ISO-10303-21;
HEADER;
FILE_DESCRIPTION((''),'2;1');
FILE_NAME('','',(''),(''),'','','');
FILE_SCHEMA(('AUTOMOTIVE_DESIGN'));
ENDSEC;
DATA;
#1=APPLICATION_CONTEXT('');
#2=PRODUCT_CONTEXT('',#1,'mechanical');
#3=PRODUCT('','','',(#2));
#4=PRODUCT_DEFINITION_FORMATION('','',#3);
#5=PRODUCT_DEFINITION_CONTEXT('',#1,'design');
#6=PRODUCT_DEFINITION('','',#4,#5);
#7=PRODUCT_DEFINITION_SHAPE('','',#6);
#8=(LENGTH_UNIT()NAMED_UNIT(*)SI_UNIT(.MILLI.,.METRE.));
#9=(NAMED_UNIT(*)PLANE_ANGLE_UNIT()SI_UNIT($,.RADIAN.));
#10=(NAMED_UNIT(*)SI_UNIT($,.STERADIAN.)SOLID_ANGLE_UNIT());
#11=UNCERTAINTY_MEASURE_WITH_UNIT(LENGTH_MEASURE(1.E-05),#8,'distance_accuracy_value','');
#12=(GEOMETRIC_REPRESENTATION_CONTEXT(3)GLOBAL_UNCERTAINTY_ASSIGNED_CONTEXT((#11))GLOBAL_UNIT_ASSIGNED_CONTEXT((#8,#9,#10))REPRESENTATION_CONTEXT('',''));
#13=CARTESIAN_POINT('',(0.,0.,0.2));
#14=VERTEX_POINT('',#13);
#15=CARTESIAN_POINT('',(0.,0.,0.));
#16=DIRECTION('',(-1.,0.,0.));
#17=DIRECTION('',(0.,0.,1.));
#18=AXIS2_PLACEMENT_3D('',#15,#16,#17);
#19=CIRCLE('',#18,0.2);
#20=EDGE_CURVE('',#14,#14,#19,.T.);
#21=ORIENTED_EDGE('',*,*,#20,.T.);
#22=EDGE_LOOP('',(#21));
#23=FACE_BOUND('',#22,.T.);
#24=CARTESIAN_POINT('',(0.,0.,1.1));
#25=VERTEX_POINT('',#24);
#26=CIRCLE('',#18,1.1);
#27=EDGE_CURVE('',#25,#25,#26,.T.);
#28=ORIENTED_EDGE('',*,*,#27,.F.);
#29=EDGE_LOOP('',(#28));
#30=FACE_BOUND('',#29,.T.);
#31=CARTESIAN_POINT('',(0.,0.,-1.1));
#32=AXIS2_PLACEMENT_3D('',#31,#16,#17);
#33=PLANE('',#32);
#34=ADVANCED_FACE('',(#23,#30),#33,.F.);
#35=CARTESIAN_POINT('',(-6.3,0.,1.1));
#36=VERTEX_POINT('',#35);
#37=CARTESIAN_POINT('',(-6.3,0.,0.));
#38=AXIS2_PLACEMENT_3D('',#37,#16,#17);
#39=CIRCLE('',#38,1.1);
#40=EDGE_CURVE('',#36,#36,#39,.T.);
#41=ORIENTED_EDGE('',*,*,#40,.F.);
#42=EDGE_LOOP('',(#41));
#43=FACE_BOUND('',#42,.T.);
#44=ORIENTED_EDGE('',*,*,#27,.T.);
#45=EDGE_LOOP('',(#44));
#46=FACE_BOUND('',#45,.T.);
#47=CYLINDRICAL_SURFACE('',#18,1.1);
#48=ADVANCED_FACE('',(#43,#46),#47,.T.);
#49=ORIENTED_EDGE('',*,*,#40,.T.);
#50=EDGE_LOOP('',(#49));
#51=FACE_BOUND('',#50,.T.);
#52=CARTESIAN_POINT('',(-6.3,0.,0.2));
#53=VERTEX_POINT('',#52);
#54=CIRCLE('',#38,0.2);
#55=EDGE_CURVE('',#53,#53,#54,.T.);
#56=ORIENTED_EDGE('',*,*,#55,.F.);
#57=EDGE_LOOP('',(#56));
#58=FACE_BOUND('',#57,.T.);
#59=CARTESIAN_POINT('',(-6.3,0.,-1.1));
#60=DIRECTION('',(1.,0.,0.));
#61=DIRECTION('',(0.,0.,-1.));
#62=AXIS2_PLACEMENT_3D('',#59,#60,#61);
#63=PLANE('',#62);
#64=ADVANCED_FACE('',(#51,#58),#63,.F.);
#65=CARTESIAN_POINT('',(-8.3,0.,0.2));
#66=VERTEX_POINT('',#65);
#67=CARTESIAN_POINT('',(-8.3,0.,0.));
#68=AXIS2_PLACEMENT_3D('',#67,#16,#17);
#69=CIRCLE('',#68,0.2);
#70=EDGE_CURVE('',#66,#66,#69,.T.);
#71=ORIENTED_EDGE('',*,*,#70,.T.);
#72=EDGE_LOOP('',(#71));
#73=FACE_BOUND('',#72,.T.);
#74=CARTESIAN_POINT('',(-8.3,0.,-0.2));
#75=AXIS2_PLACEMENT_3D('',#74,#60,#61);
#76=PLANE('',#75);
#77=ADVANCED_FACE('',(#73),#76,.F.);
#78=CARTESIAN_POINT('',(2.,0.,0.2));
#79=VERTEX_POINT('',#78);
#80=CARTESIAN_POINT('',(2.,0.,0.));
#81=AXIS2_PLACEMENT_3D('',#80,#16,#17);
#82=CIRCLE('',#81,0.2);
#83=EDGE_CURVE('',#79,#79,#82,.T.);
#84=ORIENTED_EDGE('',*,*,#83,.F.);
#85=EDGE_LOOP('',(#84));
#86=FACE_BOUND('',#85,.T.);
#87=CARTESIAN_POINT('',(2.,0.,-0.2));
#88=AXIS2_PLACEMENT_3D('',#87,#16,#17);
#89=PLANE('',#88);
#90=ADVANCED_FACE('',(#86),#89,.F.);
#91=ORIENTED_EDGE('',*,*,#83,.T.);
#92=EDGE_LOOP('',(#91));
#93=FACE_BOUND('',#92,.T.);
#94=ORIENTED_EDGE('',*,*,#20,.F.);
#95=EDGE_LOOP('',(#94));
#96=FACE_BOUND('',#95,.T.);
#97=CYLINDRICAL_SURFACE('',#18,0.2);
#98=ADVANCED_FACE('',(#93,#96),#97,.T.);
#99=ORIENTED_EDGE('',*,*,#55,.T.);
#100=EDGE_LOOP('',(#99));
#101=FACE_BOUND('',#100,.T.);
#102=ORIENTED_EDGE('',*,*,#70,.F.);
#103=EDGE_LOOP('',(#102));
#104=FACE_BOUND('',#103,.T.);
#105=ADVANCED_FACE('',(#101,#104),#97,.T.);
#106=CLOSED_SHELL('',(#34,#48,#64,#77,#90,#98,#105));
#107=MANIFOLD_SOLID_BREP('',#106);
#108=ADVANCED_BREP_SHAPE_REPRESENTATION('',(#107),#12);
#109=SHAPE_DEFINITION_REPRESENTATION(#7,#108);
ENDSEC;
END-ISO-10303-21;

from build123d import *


with BuildPart() as part:
    # Эскиз1 → Повернуть1 (revolve)
    with BuildSketch(Plane(origin=(0, 0, 0), x_dir=(1, 0, 0), z_dir=(0, 1, 0)), mode=Mode.PRIVATE) as revolve_1_sk:
        Polygon((0, 0), (-6.3, 0), (-8.3, 0), (-8.3, 0.2), (-6.3, 0.2), (-6.3, 1.1), (0, 1.1), (0, 0.2), (2, 0.2), (2, 0), align=None)
    revolve(revolve_1_sk.sketch.rotate(Axis((0, 0, 0), (1, 0, 0)), 180), axis=Axis((0, 0, 0), (1, 0, 0)))


solid = part.part
